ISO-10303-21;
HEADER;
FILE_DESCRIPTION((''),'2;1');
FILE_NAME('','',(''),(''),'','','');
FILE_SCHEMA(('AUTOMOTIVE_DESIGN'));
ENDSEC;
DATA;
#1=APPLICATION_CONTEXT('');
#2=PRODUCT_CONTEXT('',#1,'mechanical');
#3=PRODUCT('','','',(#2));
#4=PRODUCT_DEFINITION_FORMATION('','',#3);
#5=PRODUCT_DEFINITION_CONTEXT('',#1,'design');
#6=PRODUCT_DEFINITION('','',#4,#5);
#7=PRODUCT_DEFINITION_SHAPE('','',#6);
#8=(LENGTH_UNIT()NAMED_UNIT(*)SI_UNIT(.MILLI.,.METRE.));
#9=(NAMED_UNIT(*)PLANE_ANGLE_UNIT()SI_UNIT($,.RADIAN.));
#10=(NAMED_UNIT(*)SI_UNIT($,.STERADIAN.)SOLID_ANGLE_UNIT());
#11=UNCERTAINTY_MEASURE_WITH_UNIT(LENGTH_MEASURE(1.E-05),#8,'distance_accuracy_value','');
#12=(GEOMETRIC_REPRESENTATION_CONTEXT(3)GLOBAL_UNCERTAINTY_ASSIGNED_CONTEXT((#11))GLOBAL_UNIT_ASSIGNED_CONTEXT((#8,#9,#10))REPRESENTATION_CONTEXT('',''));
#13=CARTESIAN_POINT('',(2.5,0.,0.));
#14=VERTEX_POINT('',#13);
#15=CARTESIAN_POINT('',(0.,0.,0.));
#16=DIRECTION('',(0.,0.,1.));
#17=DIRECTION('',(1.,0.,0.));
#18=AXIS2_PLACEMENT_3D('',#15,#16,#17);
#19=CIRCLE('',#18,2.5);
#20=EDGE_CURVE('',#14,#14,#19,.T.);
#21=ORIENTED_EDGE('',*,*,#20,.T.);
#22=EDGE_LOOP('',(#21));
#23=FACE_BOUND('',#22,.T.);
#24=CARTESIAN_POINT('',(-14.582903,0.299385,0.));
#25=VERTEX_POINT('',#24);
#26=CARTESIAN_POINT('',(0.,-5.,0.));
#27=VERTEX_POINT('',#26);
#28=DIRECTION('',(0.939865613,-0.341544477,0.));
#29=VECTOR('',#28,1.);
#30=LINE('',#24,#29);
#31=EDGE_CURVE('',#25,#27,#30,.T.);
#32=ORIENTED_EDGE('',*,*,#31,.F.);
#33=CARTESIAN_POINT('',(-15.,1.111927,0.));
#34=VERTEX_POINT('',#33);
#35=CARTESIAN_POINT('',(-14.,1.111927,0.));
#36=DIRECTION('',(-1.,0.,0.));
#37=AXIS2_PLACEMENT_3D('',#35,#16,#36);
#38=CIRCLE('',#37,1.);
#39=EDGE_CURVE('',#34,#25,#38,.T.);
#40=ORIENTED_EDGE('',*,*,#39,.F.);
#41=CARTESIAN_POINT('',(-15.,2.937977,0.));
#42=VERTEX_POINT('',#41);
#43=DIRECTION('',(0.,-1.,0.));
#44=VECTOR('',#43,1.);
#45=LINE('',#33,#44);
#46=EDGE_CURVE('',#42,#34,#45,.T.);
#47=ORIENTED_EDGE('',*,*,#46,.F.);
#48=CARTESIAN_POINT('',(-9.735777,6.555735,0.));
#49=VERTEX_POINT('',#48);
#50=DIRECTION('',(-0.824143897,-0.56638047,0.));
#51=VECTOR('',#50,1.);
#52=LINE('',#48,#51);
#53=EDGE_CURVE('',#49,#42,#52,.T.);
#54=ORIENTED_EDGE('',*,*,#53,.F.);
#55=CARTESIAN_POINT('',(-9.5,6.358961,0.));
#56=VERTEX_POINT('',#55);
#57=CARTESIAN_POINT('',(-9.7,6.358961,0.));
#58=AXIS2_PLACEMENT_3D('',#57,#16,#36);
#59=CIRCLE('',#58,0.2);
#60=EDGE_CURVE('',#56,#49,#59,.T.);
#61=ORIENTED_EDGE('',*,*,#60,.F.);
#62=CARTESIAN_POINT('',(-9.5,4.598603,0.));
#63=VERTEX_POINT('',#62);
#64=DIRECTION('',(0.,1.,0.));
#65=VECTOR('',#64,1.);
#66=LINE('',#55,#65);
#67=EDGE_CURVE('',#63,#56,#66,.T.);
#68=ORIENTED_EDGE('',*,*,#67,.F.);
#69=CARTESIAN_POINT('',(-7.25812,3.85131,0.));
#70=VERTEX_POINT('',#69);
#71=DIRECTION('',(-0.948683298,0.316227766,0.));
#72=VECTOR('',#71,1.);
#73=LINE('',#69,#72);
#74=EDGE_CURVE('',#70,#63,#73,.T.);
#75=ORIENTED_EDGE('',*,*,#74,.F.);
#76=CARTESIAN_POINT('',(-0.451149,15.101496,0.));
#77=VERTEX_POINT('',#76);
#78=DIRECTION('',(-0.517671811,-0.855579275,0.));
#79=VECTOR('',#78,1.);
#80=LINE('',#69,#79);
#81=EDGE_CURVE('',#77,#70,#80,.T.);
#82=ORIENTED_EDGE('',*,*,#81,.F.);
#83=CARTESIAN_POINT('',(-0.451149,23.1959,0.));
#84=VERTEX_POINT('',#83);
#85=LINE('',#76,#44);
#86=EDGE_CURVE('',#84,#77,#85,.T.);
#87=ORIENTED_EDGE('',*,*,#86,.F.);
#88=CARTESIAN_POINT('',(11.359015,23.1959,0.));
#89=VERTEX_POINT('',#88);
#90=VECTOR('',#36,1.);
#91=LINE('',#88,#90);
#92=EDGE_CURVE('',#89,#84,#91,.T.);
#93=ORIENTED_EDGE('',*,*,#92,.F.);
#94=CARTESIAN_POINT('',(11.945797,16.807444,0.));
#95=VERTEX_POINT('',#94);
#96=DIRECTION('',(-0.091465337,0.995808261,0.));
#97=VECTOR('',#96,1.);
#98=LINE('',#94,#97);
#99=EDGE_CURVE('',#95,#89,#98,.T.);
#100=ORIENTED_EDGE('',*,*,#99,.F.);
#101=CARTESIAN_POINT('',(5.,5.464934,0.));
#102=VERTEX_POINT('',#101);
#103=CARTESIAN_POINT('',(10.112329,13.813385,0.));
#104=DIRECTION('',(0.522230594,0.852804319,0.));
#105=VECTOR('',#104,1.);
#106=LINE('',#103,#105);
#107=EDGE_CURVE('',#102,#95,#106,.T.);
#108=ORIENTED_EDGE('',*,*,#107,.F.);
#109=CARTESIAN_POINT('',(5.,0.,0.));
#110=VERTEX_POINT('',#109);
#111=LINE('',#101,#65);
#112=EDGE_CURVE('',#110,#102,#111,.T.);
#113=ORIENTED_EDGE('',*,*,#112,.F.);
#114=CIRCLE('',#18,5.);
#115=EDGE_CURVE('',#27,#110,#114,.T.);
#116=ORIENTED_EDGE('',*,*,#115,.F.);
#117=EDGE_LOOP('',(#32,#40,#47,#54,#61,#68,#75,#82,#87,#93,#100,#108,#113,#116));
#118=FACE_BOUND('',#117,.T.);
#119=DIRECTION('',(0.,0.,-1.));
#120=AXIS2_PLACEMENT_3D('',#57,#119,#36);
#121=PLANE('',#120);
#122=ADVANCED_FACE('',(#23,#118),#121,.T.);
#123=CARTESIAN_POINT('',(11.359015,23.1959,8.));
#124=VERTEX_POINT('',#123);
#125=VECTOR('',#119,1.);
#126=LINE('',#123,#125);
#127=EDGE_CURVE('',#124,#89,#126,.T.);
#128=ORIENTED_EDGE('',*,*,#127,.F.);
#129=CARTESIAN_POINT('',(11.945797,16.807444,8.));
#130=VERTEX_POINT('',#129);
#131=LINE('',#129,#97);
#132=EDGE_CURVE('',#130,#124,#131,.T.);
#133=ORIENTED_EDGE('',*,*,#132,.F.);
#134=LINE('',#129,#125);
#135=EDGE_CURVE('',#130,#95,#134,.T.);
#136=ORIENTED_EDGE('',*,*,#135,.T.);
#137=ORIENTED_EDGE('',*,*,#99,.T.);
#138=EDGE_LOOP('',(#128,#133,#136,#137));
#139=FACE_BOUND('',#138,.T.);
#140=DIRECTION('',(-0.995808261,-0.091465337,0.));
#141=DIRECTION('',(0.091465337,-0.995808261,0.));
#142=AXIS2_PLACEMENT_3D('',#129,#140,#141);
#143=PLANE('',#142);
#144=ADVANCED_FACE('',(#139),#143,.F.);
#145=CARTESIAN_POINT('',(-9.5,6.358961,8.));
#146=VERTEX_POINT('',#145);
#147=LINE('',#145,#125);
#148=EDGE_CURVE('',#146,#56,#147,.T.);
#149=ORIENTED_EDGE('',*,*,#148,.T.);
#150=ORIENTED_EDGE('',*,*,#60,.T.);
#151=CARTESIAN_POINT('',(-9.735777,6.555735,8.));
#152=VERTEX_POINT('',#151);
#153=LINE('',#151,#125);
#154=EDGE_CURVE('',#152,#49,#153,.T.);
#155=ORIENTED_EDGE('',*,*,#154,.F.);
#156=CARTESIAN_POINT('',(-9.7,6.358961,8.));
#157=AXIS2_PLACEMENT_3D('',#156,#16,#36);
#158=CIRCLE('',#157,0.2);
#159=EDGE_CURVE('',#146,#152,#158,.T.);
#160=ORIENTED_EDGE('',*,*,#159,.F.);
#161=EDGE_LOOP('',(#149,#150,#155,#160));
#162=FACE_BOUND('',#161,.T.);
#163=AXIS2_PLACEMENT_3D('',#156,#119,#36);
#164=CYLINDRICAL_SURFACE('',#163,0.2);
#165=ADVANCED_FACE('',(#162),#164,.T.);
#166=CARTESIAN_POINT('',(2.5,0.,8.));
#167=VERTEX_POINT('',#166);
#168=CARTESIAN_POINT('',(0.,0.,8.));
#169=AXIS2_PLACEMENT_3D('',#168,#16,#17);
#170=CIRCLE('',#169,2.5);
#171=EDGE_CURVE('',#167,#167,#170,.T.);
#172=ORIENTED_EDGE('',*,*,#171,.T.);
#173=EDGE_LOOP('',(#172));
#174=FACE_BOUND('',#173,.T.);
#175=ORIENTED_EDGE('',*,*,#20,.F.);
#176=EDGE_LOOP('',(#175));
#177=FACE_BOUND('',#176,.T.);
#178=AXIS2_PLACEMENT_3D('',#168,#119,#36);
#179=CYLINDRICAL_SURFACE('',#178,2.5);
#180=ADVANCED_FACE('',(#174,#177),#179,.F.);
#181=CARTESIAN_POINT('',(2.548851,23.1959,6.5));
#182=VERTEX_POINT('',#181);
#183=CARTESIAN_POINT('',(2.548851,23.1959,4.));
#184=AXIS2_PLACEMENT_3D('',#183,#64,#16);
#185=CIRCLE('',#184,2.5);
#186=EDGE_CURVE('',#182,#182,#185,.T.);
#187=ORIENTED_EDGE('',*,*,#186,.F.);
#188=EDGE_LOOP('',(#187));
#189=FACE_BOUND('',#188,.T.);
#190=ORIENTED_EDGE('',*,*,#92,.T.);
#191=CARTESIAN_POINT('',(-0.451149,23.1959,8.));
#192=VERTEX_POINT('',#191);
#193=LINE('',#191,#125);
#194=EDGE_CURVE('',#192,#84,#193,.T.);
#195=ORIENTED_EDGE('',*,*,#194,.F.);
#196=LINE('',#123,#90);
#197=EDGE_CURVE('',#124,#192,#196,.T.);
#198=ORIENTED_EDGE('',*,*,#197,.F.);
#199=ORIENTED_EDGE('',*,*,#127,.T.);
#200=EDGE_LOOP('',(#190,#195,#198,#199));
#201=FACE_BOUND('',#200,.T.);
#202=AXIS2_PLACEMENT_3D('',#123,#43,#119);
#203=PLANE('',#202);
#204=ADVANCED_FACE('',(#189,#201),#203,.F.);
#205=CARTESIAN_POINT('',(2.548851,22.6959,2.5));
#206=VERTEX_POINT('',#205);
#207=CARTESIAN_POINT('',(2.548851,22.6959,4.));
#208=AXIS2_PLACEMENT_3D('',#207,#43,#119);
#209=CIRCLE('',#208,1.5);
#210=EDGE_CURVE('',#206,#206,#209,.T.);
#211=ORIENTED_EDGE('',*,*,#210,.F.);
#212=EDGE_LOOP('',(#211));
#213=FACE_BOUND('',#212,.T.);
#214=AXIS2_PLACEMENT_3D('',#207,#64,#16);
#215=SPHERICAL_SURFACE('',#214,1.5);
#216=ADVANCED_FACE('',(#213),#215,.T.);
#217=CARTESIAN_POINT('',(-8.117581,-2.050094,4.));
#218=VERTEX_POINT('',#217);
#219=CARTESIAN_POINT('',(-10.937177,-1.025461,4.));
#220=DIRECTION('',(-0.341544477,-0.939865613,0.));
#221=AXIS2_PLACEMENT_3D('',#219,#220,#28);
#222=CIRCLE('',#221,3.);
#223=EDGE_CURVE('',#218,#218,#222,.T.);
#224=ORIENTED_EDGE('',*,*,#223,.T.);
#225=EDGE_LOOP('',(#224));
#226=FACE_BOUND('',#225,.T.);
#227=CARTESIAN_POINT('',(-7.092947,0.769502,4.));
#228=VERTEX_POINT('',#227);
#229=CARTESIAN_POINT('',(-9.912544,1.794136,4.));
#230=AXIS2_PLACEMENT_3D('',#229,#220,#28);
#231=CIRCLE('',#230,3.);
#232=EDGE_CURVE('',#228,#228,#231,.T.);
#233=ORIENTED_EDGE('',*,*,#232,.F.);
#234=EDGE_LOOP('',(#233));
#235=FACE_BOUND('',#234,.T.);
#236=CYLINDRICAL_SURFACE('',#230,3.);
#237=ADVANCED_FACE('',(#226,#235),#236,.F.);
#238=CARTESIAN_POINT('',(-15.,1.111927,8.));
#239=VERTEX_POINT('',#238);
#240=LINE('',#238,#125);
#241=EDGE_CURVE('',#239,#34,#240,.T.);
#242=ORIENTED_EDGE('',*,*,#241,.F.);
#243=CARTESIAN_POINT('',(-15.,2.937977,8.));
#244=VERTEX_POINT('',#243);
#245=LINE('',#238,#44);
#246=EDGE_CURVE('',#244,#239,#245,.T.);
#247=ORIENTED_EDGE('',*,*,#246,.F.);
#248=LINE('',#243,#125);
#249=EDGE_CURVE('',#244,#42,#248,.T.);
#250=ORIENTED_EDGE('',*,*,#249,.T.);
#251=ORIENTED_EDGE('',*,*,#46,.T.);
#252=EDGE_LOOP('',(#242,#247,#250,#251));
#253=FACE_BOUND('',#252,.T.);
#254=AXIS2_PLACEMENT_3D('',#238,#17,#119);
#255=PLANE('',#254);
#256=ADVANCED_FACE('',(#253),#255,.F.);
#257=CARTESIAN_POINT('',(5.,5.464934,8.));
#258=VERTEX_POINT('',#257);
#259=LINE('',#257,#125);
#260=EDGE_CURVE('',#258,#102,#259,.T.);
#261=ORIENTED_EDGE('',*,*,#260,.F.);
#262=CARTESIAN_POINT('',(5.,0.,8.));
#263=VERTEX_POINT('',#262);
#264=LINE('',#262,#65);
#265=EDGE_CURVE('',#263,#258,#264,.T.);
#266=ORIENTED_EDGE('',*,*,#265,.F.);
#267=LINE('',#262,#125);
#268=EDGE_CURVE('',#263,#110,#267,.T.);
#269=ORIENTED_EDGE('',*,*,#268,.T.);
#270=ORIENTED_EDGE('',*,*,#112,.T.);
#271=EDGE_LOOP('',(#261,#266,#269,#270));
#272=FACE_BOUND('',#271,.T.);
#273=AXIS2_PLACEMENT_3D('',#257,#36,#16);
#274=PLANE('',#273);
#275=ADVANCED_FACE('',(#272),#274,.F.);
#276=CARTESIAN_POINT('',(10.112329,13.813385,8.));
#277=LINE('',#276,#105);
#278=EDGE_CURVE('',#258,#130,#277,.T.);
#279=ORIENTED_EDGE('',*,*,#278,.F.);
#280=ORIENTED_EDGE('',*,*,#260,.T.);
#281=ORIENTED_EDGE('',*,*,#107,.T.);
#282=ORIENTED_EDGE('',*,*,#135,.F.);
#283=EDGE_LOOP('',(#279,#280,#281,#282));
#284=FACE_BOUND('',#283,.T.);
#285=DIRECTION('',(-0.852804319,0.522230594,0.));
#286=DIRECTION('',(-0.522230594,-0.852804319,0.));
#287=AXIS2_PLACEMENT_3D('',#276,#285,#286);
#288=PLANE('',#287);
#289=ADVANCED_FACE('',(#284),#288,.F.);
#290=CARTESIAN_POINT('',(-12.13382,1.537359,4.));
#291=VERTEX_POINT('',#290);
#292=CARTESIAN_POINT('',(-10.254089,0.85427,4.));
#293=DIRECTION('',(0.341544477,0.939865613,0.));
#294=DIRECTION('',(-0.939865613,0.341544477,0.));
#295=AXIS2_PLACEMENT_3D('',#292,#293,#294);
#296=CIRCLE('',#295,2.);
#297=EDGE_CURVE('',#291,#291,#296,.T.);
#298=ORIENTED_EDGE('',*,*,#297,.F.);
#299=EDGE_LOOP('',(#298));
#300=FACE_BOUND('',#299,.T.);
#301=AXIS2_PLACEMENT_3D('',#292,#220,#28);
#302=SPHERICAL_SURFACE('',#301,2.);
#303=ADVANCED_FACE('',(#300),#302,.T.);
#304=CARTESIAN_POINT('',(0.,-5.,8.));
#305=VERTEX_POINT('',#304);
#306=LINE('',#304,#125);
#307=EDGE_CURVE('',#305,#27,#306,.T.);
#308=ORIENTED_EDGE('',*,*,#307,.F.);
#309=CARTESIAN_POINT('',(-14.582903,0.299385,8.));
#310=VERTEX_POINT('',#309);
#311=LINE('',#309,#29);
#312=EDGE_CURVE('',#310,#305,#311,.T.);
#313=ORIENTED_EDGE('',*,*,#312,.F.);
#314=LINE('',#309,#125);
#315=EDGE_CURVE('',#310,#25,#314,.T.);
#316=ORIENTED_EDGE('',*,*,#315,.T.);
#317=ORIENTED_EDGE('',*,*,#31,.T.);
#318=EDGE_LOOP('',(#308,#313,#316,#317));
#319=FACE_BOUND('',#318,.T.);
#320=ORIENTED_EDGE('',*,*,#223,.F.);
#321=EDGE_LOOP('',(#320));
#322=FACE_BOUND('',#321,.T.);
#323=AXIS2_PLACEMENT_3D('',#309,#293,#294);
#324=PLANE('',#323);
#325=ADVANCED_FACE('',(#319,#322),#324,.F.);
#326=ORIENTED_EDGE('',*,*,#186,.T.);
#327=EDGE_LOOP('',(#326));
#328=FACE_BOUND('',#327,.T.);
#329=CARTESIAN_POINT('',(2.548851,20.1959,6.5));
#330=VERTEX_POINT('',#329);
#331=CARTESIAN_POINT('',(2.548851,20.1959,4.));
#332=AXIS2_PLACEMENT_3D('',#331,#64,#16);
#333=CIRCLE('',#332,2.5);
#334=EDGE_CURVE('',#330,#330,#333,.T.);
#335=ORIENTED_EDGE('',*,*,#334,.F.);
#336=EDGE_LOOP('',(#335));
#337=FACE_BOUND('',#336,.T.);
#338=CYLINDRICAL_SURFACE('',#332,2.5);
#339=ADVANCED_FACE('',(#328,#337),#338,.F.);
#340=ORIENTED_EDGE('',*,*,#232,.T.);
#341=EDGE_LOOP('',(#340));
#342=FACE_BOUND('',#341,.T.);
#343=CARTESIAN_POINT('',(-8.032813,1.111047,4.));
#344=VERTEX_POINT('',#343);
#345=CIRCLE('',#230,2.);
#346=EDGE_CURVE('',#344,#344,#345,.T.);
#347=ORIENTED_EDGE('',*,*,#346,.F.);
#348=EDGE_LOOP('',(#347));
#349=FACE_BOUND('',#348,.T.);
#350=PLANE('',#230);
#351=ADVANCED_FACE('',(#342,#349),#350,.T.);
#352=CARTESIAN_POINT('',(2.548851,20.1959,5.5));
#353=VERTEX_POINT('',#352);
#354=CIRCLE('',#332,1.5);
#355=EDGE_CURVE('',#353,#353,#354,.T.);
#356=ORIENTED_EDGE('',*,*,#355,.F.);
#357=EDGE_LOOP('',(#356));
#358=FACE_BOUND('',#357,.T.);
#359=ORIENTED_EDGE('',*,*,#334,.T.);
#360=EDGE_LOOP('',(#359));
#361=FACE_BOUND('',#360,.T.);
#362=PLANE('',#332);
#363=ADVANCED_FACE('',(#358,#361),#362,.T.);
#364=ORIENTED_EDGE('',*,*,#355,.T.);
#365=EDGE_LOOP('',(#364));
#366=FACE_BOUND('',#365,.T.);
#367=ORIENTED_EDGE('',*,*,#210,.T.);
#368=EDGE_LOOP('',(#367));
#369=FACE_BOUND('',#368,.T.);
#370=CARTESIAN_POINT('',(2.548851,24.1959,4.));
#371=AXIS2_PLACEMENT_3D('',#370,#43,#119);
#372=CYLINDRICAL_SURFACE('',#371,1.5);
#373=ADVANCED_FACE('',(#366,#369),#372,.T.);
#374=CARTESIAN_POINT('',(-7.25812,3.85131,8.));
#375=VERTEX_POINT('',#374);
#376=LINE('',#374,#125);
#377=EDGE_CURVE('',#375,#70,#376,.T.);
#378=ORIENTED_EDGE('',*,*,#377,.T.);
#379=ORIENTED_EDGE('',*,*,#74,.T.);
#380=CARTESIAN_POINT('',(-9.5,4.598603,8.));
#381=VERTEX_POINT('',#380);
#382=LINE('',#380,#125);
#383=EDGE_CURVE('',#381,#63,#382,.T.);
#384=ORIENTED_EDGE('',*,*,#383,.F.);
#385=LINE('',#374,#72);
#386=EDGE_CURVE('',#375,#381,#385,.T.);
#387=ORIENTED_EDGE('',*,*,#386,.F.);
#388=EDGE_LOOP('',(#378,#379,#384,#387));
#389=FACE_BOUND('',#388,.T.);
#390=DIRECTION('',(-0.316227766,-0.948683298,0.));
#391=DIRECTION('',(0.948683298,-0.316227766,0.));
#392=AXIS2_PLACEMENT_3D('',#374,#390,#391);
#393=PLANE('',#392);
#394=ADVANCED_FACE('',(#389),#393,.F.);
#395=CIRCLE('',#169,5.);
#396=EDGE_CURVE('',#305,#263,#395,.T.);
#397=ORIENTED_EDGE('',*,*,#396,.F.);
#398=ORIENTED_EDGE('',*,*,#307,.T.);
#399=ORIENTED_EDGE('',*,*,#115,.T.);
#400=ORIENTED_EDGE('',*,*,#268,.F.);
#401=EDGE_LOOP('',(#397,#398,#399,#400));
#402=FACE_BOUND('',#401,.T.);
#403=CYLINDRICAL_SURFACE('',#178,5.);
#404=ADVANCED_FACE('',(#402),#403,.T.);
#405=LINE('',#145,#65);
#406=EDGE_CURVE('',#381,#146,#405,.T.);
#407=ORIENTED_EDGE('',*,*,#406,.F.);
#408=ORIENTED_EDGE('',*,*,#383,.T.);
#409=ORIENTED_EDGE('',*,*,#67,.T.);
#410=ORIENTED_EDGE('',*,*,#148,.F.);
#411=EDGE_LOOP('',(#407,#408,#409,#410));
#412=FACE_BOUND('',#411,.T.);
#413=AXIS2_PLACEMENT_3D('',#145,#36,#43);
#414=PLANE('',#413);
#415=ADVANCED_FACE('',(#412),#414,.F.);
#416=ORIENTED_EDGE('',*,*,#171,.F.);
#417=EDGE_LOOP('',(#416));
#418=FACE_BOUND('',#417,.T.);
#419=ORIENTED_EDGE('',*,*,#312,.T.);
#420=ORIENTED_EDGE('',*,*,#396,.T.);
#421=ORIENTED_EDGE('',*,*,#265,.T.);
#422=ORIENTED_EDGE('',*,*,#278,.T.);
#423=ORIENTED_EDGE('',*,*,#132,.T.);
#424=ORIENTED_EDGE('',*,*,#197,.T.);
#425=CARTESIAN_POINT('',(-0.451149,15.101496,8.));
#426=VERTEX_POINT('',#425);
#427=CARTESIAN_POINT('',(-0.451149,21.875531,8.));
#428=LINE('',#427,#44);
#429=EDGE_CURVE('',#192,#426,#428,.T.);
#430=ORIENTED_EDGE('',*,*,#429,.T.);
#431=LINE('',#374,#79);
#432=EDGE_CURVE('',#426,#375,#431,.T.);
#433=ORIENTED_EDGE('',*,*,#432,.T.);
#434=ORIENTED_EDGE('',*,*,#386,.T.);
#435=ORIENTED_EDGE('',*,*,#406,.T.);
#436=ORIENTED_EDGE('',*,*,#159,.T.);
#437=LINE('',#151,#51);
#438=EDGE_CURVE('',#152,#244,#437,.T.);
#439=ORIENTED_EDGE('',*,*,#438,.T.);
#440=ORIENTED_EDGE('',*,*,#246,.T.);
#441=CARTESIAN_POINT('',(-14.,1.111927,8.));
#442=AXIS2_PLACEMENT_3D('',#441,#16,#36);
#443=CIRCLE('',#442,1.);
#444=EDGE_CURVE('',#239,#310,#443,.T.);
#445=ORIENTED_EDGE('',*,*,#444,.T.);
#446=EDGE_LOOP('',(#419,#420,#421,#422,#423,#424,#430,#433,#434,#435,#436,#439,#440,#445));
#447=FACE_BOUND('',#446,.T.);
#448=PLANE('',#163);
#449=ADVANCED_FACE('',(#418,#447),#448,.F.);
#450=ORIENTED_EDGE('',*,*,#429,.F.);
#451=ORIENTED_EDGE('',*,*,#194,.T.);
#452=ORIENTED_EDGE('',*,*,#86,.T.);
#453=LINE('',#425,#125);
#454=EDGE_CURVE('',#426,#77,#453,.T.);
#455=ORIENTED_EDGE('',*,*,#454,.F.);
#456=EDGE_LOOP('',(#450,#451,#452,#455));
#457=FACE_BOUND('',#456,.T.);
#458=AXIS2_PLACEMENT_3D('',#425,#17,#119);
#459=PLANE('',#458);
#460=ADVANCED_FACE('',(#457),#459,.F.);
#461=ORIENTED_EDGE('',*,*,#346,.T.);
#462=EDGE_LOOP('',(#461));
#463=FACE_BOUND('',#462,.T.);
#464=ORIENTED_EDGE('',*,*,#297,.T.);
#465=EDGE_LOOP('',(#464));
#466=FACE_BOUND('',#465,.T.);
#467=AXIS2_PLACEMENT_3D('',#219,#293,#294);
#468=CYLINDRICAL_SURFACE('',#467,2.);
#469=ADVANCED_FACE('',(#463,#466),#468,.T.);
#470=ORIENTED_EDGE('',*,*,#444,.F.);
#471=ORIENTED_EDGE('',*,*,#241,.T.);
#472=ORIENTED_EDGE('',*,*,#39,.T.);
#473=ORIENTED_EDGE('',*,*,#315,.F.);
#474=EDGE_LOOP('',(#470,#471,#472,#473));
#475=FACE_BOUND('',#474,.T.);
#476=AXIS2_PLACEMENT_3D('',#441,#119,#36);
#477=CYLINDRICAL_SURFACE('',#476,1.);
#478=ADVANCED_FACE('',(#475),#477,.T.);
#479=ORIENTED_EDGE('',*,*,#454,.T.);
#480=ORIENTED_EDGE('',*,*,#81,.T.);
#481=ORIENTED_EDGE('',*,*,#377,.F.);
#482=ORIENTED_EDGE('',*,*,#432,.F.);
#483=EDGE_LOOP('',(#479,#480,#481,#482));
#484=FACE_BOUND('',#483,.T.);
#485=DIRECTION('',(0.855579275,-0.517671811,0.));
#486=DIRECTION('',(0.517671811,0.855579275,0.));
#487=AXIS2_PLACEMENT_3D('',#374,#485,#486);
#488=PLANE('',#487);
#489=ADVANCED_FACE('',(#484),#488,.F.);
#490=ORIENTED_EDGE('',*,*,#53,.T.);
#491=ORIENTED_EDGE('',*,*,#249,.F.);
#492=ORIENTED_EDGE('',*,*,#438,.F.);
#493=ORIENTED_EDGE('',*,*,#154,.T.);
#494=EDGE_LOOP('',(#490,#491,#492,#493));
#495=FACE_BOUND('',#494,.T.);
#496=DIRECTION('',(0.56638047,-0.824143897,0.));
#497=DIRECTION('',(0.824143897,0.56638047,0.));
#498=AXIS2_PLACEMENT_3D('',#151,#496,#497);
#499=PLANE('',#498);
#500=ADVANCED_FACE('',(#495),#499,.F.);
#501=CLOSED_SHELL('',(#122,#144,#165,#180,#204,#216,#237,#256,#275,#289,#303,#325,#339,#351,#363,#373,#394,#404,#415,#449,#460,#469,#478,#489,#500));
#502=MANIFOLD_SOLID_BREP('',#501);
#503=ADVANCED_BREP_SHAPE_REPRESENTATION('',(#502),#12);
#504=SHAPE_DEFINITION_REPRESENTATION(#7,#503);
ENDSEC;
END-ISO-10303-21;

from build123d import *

# Parameters (mm, degrees)
SKETCH_1_R          = 2.5
EXTRUDE_1_DEPTH     = 8
SKETCH_5_R          = 3
CUT_EXTRUDE_2_DEPTH = 3
SKETCH_7_R          = 2
EXTRUDE_3_DEPTH     = 3
FILLET_5_R          = 2
SKETCH_8_R          = 2.5
CUT_EXTRUDE_3_DEPTH = 3
SKETCH_9_R          = 1.5
EXTRUDE_4_DEPTH     = 4
FILLET_6_R          = 1.5


with BuildPart() as part:
    # 스케치1 → 보스-돌출1 (new body)
    with BuildSketch(Plane.XY):
        with BuildLine():
            Line((-0.451148657, 21.875531488), (-0.451148657, 23.195899803))
            Line((-0.451148657, 23.195899803), (11.359015021, 23.195899803))
            Line((11.359015021, 23.195899803), (11.945796901, 16.807444187))
            Line((11.945796901, 16.807444187), (10.112329073, 13.81338505))
            Line((10.112329073, 13.81338505), (5, 5.464934457))
            Line((5, 5.464934457), (5, 3.83484861))
            Line((5, 3.83484861), (5, 0))
            ThreePointArc((5, 0), (3.535533906, -3.535533906), (0, -5))
            Line((0, -5), (-14.582903299, 0.299385373))
            ThreePointArc((-14.582903299, 0.299385373), (-14.889635684, 0.655255963), (-15, 1.111926907))
            Line((-15, 1.111926907), (-15, 2.937976957))
            Line((-15, 2.937976957), (-9.735777088, 6.555734799))
            ThreePointArc((-9.735777088, 6.555734799), (-9.571850512, 6.512511163), (-9.5, 6.358960817))
            Line((-9.5, 6.358960817), (-9.5, 4.598603361))
            Line((-9.5, 4.598603361), (-7.258120431, 3.851310171))
            Line((-7.258120431, 3.851310171), (-0.451148657, 15.101495802))
            Line((-0.451148657, 15.101495802), (-0.451148657, 21.875531488))
        make_face()
        Circle(SKETCH_1_R, mode=Mode.SUBTRACT)
    extrude(amount=EXTRUDE_1_DEPTH)

    # 스케치5 → 컷-돌출2 (cut)
    with BuildSketch(Plane(origin=(-1.605029546, -4.416736851, 0), x_dir=(0.9398656128397294, -0.34154447704713375, 0), z_dir=(-0.34154447704713375, -0.9398656128397295, 0))):
        with Locations((-9.929236479, 4)):
            Circle(SKETCH_5_R)
    extrude(amount=-CUT_EXTRUDE_2_DEPTH, mode=Mode.SUBTRACT)

    # 스케치7 → 보스-돌출3 (add)
    with BuildSketch(Plane(origin=(-0.580396115, -1.597140012, 0), x_dir=(0.9398656128397294, -0.34154447704713387, 0), z_dir=(-0.34154447704713387, -0.9398656128397294, 0))):
        with Locations((-9.929236479, 4)):
            Circle(SKETCH_7_R)
    extrude(amount=EXTRUDE_3_DEPTH)

    # 필렛5
    fillet_5_edges = [part.edges().sort_by_distance(p)[0] for p in [
        (-12.8169087, -0.342372016, 4),
    ]]
    fillet(fillet_5_edges, radius=FILLET_5_R)

    # 스케치8 → 컷-돌출3 (cut)
    with BuildSketch(Plane(origin=(0, 23.195899803, 0), x_dir=(1, 0, 0), z_dir=(0, 1, 0))):
        with Locations(Location((2.548851343, -4, 0), (0, 0, 270))):
            Circle(SKETCH_8_R)
    extrude(amount=-CUT_EXTRUDE_3_DEPTH, mode=Mode.SUBTRACT)

    # 스케치9 → 보스-돌출4 (add)
    with BuildSketch(Plane(origin=(0, 20.195899803, 0), x_dir=(1, 0, 0), z_dir=(0, 1, 0))):
        with Locations(Location((2.548851343, -4, 0), (0, 0, 270))):
            Circle(SKETCH_9_R)
    extrude(amount=EXTRUDE_4_DEPTH)

    # 필렛6
    fillet_6_edges = [part.edges().sort_by_distance(p)[0] for p in [
        (2.548851343, 24.195899803, 2.5),
    ]]
    fillet(fillet_6_edges, radius=FILLET_6_R)


solid = part.part
